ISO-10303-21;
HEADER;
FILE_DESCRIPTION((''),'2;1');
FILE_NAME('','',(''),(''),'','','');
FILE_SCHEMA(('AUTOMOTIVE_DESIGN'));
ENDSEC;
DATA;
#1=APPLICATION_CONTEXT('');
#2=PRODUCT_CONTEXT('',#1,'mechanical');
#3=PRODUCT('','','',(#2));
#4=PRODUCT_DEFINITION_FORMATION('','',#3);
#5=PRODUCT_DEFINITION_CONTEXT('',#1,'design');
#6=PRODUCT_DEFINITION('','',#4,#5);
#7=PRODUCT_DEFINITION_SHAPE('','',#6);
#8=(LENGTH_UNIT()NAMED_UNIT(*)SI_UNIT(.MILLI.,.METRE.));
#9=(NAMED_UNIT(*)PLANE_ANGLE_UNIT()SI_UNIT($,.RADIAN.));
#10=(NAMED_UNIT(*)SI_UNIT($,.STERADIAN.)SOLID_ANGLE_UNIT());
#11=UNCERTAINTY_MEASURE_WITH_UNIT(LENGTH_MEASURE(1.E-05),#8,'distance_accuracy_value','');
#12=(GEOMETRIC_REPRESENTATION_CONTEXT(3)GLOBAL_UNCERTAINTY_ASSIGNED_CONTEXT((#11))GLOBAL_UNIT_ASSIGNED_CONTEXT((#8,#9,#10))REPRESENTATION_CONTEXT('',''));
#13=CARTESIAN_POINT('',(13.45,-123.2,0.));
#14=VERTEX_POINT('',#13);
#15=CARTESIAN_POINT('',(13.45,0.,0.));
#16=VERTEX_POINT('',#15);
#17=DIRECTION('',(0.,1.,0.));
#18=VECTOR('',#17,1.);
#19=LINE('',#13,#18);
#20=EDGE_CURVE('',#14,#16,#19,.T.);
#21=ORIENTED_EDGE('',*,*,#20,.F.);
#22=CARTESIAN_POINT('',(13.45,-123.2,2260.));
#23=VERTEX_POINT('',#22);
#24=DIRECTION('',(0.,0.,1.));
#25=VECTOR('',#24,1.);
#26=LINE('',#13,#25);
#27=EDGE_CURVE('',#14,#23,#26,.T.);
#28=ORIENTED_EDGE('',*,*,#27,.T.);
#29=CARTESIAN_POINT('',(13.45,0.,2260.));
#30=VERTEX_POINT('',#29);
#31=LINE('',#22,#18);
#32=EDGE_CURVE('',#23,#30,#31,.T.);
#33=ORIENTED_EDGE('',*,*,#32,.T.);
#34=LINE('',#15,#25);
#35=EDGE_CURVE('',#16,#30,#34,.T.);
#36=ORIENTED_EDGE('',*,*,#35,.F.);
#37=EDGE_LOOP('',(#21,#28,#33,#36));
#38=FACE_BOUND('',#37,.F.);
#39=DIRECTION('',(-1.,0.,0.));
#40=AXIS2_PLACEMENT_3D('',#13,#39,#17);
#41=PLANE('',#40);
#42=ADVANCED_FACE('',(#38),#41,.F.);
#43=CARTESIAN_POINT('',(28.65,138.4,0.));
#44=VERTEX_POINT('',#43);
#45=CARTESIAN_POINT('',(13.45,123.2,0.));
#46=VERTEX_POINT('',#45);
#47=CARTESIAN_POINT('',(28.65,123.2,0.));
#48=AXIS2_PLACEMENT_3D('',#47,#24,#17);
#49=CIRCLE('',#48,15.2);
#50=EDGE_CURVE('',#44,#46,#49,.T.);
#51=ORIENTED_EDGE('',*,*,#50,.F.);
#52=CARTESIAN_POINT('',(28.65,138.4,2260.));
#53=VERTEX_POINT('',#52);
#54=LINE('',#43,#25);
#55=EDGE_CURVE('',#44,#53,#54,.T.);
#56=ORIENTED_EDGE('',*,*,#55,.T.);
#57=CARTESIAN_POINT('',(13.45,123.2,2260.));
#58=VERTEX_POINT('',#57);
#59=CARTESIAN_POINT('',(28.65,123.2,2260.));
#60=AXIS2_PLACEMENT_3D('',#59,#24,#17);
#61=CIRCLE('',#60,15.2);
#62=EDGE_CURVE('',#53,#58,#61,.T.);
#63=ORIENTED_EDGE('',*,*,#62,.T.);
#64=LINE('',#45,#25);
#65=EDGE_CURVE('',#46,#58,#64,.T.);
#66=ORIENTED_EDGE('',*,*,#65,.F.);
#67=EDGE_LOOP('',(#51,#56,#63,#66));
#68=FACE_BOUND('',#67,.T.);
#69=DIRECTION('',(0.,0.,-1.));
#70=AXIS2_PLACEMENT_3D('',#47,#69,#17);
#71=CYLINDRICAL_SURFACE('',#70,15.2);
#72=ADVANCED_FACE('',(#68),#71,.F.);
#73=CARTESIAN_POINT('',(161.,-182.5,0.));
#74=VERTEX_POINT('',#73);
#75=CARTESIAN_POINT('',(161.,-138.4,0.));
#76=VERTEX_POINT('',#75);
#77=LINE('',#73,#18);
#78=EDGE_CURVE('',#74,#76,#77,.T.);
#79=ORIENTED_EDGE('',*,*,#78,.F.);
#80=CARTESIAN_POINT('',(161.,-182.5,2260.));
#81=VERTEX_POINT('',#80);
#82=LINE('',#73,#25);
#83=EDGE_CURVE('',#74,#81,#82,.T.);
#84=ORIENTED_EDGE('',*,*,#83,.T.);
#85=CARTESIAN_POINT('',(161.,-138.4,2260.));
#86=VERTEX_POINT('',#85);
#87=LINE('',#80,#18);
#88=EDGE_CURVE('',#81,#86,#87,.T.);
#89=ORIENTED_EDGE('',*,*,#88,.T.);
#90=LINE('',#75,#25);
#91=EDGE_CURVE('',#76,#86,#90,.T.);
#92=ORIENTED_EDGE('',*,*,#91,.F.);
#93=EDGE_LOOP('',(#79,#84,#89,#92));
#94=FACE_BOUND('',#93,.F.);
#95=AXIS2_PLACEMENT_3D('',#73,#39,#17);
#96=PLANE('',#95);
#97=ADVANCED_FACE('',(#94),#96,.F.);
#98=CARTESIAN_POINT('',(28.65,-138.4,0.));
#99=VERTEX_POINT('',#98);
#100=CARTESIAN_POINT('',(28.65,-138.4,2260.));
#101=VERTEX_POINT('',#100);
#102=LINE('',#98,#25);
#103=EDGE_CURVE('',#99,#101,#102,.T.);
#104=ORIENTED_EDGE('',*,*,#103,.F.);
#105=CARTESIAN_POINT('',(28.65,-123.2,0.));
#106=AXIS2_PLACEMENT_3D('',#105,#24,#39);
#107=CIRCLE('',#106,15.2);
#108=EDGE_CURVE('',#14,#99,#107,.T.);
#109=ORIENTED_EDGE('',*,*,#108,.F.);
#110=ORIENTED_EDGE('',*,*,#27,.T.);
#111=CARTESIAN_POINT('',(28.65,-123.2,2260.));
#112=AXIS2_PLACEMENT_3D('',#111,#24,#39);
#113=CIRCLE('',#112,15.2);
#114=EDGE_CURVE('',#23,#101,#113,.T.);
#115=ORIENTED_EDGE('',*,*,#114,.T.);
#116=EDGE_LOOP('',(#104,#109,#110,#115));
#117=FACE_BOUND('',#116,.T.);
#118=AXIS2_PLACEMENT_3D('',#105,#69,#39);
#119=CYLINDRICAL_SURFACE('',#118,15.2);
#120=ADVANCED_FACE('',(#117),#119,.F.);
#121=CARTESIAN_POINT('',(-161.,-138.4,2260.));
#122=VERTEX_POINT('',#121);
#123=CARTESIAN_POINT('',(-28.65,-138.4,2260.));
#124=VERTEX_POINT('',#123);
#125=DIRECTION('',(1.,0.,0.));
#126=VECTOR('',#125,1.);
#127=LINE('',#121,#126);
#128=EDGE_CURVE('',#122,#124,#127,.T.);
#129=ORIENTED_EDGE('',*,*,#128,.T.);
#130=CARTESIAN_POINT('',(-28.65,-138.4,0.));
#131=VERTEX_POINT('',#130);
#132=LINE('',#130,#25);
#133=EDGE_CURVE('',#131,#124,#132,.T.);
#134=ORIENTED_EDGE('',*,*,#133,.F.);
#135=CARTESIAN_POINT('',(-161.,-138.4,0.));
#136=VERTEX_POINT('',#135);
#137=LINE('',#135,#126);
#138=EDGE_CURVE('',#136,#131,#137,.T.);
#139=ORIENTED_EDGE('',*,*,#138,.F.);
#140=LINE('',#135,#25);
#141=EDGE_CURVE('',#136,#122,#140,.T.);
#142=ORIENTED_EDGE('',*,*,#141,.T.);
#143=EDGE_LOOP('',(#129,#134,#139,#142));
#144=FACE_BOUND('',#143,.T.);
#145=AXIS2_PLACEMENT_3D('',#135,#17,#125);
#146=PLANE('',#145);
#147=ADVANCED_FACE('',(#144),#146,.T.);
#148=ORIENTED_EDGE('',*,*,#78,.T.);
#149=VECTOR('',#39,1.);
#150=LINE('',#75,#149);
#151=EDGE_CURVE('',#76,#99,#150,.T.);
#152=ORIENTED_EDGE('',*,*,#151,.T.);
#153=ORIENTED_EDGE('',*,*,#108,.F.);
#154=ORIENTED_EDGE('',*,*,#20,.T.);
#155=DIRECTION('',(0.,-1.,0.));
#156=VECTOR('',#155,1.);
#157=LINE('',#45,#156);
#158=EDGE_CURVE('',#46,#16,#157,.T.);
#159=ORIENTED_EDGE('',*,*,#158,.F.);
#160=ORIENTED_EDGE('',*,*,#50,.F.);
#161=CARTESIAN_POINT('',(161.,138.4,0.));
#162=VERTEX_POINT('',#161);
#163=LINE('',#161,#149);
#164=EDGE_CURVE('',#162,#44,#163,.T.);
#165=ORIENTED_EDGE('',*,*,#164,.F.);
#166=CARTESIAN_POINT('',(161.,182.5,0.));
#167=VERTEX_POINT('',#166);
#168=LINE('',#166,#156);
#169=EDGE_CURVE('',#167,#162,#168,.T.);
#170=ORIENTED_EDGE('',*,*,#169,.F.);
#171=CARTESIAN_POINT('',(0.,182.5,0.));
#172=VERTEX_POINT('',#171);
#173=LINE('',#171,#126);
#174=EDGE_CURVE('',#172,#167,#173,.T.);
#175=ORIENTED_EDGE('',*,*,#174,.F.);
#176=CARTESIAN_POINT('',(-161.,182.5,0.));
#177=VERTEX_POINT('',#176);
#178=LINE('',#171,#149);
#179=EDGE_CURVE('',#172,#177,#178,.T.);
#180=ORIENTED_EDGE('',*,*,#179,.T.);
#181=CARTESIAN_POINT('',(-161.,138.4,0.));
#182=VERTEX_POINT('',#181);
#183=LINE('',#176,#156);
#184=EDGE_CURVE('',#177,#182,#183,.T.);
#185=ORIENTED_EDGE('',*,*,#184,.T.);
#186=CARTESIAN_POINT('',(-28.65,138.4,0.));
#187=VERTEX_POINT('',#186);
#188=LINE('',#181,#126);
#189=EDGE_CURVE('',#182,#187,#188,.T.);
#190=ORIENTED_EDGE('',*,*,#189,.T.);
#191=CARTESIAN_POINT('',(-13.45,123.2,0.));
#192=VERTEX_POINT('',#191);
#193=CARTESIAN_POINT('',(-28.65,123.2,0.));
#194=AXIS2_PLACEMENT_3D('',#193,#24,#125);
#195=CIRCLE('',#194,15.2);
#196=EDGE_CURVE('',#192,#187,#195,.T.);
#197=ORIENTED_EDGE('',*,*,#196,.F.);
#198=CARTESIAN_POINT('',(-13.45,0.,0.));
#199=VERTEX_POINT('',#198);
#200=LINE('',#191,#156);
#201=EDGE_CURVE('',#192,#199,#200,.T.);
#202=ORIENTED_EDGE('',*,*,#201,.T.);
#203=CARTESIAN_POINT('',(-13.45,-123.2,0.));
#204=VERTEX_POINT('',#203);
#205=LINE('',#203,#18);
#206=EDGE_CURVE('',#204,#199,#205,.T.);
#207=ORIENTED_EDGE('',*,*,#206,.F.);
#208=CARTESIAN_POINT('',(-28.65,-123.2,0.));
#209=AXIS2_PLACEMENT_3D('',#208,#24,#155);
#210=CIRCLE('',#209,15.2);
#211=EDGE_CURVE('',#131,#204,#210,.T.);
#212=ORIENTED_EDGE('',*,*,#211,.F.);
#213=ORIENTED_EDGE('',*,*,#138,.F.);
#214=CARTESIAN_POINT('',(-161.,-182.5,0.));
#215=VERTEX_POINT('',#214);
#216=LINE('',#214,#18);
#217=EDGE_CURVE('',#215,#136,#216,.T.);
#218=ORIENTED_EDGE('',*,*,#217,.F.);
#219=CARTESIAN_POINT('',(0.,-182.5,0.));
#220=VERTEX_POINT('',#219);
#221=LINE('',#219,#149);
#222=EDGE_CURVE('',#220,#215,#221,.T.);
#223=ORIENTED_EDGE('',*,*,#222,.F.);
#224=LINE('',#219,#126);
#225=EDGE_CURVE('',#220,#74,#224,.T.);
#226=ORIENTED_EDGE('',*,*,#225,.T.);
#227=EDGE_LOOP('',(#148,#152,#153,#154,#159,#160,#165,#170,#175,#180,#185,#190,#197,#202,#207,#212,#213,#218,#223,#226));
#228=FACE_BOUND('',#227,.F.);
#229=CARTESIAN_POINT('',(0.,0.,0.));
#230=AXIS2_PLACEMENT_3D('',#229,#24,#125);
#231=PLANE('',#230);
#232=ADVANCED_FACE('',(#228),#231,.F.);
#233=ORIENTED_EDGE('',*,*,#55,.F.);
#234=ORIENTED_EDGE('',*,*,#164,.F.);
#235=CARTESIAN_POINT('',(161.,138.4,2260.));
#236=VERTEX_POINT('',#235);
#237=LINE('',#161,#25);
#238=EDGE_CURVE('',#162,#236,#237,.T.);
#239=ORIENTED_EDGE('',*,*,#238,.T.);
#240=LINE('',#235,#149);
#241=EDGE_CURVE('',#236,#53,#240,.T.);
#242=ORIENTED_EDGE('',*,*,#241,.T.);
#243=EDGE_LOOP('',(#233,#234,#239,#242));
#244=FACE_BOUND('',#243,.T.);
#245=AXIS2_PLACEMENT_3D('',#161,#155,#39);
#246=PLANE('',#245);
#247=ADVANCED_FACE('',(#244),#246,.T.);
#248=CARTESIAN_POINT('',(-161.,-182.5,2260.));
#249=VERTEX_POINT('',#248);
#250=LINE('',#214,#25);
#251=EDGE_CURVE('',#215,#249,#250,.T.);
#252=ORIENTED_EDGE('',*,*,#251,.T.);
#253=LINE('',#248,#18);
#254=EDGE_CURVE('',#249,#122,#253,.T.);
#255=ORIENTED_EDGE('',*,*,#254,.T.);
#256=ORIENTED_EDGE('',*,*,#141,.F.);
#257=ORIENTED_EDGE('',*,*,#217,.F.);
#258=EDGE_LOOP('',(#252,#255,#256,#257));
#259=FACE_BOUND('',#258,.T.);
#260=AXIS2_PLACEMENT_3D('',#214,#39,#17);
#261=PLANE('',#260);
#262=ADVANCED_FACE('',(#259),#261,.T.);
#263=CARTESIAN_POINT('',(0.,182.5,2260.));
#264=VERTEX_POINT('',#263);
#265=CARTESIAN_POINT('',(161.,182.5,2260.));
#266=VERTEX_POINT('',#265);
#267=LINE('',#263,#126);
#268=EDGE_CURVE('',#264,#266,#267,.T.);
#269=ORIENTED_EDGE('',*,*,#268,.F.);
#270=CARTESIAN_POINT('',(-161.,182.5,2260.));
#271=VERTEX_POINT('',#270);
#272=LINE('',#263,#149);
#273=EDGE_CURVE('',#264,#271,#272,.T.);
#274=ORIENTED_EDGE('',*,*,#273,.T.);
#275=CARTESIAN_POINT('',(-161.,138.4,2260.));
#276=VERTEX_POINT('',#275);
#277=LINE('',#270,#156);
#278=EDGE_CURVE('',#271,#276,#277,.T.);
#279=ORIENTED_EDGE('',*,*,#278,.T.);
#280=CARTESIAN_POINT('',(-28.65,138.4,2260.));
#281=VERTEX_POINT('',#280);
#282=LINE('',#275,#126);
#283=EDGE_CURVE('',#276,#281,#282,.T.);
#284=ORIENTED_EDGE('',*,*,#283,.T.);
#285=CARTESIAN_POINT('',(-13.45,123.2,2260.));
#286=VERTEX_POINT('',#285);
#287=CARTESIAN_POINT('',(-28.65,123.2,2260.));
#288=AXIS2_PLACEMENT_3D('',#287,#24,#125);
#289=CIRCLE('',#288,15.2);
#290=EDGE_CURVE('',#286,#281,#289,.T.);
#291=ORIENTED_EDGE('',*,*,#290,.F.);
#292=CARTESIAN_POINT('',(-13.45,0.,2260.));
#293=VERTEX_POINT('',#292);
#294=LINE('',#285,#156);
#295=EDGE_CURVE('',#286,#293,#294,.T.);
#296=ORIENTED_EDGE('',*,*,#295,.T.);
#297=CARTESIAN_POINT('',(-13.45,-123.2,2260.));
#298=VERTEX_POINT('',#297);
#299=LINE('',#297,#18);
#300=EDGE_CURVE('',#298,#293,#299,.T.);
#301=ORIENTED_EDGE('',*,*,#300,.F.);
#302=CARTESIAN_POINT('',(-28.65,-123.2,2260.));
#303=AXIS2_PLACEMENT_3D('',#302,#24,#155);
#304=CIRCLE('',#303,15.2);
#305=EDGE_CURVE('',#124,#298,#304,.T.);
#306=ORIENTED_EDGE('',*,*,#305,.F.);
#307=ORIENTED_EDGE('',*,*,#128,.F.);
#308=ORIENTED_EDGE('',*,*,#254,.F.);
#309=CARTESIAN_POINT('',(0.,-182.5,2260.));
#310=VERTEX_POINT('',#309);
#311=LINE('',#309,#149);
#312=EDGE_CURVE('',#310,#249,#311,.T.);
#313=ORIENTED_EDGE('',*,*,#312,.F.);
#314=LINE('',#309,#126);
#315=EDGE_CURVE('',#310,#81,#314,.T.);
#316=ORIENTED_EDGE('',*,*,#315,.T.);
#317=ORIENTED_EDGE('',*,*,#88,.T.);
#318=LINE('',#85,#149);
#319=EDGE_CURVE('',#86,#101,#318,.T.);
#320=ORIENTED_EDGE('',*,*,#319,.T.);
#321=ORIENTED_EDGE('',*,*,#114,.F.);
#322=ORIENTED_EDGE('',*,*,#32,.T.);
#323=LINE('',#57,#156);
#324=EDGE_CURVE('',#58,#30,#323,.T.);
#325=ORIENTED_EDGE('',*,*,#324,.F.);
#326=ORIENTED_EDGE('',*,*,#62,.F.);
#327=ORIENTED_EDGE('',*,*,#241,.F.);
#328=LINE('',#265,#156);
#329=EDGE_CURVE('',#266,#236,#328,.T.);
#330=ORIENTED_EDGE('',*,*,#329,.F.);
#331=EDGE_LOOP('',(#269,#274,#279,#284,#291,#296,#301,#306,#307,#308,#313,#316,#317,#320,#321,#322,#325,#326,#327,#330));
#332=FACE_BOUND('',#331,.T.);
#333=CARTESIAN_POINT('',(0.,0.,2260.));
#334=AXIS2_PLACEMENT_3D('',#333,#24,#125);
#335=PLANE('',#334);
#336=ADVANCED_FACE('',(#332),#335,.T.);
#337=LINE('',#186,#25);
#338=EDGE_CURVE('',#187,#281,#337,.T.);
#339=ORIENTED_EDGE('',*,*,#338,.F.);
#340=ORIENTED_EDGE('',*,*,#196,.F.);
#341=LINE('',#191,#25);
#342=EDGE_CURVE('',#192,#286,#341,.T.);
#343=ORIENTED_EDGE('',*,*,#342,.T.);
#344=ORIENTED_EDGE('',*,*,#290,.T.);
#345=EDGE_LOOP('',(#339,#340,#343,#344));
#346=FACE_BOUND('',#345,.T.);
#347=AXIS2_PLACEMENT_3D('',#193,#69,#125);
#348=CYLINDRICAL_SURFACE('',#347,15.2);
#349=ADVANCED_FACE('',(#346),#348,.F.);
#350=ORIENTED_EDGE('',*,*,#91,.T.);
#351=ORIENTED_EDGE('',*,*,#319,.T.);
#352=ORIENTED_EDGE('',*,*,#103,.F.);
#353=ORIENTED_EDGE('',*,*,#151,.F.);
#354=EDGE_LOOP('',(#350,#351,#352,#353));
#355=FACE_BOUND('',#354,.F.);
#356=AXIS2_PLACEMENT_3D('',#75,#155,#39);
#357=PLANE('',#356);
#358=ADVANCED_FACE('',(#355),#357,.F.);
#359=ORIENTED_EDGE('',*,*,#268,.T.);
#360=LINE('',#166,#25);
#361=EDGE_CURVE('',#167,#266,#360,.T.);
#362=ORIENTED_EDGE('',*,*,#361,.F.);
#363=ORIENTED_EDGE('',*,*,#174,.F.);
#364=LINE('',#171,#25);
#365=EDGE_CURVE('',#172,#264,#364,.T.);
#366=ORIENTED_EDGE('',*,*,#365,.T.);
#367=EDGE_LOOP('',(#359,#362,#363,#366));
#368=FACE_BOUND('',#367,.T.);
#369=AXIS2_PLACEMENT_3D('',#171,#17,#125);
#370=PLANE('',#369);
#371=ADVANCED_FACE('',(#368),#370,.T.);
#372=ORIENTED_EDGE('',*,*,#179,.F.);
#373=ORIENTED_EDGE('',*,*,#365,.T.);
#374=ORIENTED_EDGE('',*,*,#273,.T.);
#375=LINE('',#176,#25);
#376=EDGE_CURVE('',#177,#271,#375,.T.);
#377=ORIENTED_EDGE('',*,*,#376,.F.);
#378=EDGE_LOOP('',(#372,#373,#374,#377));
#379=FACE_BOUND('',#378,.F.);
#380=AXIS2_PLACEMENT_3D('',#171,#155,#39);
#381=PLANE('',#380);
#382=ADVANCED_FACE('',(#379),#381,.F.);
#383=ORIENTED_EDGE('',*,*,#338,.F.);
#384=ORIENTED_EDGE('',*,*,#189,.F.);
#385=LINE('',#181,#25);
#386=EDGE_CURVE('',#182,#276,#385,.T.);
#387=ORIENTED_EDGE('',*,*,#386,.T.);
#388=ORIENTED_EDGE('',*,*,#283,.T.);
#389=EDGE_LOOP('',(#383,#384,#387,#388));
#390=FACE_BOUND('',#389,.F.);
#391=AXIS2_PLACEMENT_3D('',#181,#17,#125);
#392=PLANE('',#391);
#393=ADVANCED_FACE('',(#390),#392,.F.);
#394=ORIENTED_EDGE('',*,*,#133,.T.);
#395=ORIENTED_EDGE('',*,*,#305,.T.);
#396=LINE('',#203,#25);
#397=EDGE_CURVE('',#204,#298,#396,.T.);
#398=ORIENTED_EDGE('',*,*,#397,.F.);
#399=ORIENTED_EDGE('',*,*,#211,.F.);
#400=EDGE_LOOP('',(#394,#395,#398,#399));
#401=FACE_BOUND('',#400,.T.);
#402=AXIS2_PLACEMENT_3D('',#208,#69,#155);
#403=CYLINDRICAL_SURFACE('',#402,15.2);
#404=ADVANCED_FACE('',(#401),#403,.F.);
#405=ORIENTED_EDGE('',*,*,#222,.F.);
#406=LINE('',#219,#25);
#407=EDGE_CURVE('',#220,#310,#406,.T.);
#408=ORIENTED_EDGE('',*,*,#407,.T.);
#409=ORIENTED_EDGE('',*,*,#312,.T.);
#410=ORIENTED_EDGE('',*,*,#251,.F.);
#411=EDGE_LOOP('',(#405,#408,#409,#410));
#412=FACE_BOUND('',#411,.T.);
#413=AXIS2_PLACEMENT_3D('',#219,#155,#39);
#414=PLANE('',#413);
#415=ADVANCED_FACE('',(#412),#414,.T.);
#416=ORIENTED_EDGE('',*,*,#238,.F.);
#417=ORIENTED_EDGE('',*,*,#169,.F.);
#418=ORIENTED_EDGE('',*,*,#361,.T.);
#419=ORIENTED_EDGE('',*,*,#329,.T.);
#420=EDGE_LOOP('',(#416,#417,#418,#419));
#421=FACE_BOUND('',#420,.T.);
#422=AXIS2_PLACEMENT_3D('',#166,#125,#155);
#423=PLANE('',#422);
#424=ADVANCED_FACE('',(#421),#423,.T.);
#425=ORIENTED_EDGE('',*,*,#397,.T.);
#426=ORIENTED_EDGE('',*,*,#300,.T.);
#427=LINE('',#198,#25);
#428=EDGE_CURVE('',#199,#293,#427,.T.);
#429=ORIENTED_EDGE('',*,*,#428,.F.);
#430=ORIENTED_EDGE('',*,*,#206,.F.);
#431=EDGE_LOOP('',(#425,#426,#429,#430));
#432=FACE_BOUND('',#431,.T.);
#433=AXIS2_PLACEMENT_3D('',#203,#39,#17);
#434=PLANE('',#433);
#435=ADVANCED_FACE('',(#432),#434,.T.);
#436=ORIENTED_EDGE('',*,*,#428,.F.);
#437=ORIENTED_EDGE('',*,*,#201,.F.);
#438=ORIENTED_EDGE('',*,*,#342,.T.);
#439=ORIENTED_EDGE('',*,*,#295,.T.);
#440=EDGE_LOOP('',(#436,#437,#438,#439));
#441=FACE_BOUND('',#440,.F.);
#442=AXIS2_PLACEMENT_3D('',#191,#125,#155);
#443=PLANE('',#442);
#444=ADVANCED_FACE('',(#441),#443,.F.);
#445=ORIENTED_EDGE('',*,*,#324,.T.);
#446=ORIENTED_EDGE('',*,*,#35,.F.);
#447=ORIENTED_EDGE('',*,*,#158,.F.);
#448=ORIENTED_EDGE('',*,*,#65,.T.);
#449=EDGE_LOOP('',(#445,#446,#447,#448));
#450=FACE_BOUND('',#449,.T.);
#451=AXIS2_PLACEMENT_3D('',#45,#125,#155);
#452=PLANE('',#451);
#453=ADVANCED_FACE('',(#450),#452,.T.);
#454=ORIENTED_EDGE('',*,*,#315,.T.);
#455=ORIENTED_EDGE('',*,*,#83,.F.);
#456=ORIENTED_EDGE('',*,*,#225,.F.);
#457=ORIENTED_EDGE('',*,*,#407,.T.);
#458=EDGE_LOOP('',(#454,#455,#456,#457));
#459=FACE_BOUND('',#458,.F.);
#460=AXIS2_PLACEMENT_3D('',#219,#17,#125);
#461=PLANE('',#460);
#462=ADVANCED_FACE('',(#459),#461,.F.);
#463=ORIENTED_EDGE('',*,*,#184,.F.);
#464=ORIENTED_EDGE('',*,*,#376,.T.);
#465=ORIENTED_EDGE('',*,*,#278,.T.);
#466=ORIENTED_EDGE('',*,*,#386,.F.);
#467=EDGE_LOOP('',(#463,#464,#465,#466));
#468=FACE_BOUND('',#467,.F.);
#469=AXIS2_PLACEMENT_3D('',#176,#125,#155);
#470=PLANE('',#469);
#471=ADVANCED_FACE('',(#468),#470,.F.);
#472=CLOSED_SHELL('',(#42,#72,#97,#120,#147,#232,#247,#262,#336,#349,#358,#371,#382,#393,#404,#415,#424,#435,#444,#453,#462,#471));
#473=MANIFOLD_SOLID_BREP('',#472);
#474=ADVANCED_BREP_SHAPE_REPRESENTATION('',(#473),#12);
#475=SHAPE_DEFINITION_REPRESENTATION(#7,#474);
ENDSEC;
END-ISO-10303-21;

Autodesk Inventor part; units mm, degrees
ref_plane "YZ Plane" through (0, 0, 0) normal (1, 0, 0) x (0, 1, 0)
ref_plane "Start plane" through (0, 0, 0) normal (0, 0, 1) x (1, 0, 0)
ref_plane "End plane" through (0, 0, 2260) normal (0, 0, 1) x (1, 0, 0)
sketch "Sketch" plane through (0, 0, 0) normal (0, 0, 1) x (1, 0, 0)
  line L0 (-161, -182.5) -> (-161, -138.4)
  line L1 (-161, -138.4) -> (-28.65, -138.4)
  line L2 (-13.45, -123.2) -> (-13.45, 0)
  line L3 (-13.45, 0) -> (0, 0) construction
  line L4 (0, 0) -> (0, -182.5) construction
  line L5 (0, -182.5) -> (-161, -182.5)
  line L6 (-60, 0) -> (80, 0) construction
  line L7 (0, -60) -> (0, 80) construction
  line L8 (161, -182.5) -> (161, -138.4)
  line L9 (161, -138.4) -> (28.65, -138.4)
  line L10 (13.45, -123.2) -> (13.45, 0)
  line L11 (13.45, 0) -> (0, 0) construction
  line L12 (0, -182.5) -> (161, -182.5)
  line L13 (-161, 182.5) -> (-161, 138.4)
  line L14 (-161, 138.4) -> (-28.65, 138.4)
  line L15 (-13.45, 123.2) -> (-13.45, 0)
  line L16 (0, 182.5) -> (-161, 182.5)
  line L17 (161, 182.5) -> (161, 138.4)
  line L18 (161, 138.4) -> (28.65, 138.4)
  line L19 (0, 182.5) -> (161, 182.5)
  line L20 (13.45, 123.2) -> (13.45, 0)
  arc A0 (-13.45, 123.2) -> (-28.65, 138.4) centre (-28.65, 123.2) ccw
  arc A1 (28.65, 138.4) -> (13.45, 123.2) centre (28.65, 123.2) ccw
  arc A2 (13.45, -123.2) -> (28.65, -138.4) centre (28.65, -123.2) ccw
  arc A3 (-28.65, -138.4) -> (-13.45, -123.2) centre (-28.65, -123.2) ccw
  line L21 (0, 108) -> (0, -88) construction
  line L22 (-88, 0) -> (108, 0) construction
  point P0 (-13.45, -138.4)
  point P1 (13.45, -138.4)
  point P2 (-13.45, 138.4)
  point P3 (13.45, 138.4)
  dimension "d1" = 182.5
  dimension "d2" = 44.1
  dimension "d3" = 161
  dimension "d4" = 13.45
  dimension "d10" = 15.2
extrude "Body" add sketch "Sketch" along normal up to surface (2260 mm away) from surface at 0
sketch "Sketch4" plane through (0, 0, 0) normal (0, 0, 1) x (1, 0, 0)
  line L0 (0, 0) -> (10, 0)
ref_plane "Work Plane3" through (0, 0, 0) normal (0, -1, 0) x (1, 0, 0)
sketch "Sketch5" plane through (0, 0, 0) normal (0, -1, 0) x (1, 0, 0)
  line L0 (-2, 0) -> (12, 0) projected
  line L1 (-2, 2260) -> (12, 2260) projected
  dimension "d14" = 2260
equation "\"d1\" = 0.5 * G_H"
equation "\"d2\" = G_T1"
equation "\"d3\" = 0.5 * G_W"
equation "\"d4\" = 0.5 * G_T"
equation "\"d10\" = G_IR"
equation "\"d5\" = G_L"
equation "\"G_W\" = 322"
equation "\"G_H\" = 365"
equation "\"G_T\" = 26.9"
equation "\"G_T1\" = 44.1"
equation "\"G_IR\" = 15.2"
equation "\"G_L\" = d14"
equation "\"G_OFFSET_START\" = 0"
equation "\"G_OFFSET_END\" = 0"
properties part number "AS 3679 - 310 UC - 283 - 2260" material "Steel, Mild"
